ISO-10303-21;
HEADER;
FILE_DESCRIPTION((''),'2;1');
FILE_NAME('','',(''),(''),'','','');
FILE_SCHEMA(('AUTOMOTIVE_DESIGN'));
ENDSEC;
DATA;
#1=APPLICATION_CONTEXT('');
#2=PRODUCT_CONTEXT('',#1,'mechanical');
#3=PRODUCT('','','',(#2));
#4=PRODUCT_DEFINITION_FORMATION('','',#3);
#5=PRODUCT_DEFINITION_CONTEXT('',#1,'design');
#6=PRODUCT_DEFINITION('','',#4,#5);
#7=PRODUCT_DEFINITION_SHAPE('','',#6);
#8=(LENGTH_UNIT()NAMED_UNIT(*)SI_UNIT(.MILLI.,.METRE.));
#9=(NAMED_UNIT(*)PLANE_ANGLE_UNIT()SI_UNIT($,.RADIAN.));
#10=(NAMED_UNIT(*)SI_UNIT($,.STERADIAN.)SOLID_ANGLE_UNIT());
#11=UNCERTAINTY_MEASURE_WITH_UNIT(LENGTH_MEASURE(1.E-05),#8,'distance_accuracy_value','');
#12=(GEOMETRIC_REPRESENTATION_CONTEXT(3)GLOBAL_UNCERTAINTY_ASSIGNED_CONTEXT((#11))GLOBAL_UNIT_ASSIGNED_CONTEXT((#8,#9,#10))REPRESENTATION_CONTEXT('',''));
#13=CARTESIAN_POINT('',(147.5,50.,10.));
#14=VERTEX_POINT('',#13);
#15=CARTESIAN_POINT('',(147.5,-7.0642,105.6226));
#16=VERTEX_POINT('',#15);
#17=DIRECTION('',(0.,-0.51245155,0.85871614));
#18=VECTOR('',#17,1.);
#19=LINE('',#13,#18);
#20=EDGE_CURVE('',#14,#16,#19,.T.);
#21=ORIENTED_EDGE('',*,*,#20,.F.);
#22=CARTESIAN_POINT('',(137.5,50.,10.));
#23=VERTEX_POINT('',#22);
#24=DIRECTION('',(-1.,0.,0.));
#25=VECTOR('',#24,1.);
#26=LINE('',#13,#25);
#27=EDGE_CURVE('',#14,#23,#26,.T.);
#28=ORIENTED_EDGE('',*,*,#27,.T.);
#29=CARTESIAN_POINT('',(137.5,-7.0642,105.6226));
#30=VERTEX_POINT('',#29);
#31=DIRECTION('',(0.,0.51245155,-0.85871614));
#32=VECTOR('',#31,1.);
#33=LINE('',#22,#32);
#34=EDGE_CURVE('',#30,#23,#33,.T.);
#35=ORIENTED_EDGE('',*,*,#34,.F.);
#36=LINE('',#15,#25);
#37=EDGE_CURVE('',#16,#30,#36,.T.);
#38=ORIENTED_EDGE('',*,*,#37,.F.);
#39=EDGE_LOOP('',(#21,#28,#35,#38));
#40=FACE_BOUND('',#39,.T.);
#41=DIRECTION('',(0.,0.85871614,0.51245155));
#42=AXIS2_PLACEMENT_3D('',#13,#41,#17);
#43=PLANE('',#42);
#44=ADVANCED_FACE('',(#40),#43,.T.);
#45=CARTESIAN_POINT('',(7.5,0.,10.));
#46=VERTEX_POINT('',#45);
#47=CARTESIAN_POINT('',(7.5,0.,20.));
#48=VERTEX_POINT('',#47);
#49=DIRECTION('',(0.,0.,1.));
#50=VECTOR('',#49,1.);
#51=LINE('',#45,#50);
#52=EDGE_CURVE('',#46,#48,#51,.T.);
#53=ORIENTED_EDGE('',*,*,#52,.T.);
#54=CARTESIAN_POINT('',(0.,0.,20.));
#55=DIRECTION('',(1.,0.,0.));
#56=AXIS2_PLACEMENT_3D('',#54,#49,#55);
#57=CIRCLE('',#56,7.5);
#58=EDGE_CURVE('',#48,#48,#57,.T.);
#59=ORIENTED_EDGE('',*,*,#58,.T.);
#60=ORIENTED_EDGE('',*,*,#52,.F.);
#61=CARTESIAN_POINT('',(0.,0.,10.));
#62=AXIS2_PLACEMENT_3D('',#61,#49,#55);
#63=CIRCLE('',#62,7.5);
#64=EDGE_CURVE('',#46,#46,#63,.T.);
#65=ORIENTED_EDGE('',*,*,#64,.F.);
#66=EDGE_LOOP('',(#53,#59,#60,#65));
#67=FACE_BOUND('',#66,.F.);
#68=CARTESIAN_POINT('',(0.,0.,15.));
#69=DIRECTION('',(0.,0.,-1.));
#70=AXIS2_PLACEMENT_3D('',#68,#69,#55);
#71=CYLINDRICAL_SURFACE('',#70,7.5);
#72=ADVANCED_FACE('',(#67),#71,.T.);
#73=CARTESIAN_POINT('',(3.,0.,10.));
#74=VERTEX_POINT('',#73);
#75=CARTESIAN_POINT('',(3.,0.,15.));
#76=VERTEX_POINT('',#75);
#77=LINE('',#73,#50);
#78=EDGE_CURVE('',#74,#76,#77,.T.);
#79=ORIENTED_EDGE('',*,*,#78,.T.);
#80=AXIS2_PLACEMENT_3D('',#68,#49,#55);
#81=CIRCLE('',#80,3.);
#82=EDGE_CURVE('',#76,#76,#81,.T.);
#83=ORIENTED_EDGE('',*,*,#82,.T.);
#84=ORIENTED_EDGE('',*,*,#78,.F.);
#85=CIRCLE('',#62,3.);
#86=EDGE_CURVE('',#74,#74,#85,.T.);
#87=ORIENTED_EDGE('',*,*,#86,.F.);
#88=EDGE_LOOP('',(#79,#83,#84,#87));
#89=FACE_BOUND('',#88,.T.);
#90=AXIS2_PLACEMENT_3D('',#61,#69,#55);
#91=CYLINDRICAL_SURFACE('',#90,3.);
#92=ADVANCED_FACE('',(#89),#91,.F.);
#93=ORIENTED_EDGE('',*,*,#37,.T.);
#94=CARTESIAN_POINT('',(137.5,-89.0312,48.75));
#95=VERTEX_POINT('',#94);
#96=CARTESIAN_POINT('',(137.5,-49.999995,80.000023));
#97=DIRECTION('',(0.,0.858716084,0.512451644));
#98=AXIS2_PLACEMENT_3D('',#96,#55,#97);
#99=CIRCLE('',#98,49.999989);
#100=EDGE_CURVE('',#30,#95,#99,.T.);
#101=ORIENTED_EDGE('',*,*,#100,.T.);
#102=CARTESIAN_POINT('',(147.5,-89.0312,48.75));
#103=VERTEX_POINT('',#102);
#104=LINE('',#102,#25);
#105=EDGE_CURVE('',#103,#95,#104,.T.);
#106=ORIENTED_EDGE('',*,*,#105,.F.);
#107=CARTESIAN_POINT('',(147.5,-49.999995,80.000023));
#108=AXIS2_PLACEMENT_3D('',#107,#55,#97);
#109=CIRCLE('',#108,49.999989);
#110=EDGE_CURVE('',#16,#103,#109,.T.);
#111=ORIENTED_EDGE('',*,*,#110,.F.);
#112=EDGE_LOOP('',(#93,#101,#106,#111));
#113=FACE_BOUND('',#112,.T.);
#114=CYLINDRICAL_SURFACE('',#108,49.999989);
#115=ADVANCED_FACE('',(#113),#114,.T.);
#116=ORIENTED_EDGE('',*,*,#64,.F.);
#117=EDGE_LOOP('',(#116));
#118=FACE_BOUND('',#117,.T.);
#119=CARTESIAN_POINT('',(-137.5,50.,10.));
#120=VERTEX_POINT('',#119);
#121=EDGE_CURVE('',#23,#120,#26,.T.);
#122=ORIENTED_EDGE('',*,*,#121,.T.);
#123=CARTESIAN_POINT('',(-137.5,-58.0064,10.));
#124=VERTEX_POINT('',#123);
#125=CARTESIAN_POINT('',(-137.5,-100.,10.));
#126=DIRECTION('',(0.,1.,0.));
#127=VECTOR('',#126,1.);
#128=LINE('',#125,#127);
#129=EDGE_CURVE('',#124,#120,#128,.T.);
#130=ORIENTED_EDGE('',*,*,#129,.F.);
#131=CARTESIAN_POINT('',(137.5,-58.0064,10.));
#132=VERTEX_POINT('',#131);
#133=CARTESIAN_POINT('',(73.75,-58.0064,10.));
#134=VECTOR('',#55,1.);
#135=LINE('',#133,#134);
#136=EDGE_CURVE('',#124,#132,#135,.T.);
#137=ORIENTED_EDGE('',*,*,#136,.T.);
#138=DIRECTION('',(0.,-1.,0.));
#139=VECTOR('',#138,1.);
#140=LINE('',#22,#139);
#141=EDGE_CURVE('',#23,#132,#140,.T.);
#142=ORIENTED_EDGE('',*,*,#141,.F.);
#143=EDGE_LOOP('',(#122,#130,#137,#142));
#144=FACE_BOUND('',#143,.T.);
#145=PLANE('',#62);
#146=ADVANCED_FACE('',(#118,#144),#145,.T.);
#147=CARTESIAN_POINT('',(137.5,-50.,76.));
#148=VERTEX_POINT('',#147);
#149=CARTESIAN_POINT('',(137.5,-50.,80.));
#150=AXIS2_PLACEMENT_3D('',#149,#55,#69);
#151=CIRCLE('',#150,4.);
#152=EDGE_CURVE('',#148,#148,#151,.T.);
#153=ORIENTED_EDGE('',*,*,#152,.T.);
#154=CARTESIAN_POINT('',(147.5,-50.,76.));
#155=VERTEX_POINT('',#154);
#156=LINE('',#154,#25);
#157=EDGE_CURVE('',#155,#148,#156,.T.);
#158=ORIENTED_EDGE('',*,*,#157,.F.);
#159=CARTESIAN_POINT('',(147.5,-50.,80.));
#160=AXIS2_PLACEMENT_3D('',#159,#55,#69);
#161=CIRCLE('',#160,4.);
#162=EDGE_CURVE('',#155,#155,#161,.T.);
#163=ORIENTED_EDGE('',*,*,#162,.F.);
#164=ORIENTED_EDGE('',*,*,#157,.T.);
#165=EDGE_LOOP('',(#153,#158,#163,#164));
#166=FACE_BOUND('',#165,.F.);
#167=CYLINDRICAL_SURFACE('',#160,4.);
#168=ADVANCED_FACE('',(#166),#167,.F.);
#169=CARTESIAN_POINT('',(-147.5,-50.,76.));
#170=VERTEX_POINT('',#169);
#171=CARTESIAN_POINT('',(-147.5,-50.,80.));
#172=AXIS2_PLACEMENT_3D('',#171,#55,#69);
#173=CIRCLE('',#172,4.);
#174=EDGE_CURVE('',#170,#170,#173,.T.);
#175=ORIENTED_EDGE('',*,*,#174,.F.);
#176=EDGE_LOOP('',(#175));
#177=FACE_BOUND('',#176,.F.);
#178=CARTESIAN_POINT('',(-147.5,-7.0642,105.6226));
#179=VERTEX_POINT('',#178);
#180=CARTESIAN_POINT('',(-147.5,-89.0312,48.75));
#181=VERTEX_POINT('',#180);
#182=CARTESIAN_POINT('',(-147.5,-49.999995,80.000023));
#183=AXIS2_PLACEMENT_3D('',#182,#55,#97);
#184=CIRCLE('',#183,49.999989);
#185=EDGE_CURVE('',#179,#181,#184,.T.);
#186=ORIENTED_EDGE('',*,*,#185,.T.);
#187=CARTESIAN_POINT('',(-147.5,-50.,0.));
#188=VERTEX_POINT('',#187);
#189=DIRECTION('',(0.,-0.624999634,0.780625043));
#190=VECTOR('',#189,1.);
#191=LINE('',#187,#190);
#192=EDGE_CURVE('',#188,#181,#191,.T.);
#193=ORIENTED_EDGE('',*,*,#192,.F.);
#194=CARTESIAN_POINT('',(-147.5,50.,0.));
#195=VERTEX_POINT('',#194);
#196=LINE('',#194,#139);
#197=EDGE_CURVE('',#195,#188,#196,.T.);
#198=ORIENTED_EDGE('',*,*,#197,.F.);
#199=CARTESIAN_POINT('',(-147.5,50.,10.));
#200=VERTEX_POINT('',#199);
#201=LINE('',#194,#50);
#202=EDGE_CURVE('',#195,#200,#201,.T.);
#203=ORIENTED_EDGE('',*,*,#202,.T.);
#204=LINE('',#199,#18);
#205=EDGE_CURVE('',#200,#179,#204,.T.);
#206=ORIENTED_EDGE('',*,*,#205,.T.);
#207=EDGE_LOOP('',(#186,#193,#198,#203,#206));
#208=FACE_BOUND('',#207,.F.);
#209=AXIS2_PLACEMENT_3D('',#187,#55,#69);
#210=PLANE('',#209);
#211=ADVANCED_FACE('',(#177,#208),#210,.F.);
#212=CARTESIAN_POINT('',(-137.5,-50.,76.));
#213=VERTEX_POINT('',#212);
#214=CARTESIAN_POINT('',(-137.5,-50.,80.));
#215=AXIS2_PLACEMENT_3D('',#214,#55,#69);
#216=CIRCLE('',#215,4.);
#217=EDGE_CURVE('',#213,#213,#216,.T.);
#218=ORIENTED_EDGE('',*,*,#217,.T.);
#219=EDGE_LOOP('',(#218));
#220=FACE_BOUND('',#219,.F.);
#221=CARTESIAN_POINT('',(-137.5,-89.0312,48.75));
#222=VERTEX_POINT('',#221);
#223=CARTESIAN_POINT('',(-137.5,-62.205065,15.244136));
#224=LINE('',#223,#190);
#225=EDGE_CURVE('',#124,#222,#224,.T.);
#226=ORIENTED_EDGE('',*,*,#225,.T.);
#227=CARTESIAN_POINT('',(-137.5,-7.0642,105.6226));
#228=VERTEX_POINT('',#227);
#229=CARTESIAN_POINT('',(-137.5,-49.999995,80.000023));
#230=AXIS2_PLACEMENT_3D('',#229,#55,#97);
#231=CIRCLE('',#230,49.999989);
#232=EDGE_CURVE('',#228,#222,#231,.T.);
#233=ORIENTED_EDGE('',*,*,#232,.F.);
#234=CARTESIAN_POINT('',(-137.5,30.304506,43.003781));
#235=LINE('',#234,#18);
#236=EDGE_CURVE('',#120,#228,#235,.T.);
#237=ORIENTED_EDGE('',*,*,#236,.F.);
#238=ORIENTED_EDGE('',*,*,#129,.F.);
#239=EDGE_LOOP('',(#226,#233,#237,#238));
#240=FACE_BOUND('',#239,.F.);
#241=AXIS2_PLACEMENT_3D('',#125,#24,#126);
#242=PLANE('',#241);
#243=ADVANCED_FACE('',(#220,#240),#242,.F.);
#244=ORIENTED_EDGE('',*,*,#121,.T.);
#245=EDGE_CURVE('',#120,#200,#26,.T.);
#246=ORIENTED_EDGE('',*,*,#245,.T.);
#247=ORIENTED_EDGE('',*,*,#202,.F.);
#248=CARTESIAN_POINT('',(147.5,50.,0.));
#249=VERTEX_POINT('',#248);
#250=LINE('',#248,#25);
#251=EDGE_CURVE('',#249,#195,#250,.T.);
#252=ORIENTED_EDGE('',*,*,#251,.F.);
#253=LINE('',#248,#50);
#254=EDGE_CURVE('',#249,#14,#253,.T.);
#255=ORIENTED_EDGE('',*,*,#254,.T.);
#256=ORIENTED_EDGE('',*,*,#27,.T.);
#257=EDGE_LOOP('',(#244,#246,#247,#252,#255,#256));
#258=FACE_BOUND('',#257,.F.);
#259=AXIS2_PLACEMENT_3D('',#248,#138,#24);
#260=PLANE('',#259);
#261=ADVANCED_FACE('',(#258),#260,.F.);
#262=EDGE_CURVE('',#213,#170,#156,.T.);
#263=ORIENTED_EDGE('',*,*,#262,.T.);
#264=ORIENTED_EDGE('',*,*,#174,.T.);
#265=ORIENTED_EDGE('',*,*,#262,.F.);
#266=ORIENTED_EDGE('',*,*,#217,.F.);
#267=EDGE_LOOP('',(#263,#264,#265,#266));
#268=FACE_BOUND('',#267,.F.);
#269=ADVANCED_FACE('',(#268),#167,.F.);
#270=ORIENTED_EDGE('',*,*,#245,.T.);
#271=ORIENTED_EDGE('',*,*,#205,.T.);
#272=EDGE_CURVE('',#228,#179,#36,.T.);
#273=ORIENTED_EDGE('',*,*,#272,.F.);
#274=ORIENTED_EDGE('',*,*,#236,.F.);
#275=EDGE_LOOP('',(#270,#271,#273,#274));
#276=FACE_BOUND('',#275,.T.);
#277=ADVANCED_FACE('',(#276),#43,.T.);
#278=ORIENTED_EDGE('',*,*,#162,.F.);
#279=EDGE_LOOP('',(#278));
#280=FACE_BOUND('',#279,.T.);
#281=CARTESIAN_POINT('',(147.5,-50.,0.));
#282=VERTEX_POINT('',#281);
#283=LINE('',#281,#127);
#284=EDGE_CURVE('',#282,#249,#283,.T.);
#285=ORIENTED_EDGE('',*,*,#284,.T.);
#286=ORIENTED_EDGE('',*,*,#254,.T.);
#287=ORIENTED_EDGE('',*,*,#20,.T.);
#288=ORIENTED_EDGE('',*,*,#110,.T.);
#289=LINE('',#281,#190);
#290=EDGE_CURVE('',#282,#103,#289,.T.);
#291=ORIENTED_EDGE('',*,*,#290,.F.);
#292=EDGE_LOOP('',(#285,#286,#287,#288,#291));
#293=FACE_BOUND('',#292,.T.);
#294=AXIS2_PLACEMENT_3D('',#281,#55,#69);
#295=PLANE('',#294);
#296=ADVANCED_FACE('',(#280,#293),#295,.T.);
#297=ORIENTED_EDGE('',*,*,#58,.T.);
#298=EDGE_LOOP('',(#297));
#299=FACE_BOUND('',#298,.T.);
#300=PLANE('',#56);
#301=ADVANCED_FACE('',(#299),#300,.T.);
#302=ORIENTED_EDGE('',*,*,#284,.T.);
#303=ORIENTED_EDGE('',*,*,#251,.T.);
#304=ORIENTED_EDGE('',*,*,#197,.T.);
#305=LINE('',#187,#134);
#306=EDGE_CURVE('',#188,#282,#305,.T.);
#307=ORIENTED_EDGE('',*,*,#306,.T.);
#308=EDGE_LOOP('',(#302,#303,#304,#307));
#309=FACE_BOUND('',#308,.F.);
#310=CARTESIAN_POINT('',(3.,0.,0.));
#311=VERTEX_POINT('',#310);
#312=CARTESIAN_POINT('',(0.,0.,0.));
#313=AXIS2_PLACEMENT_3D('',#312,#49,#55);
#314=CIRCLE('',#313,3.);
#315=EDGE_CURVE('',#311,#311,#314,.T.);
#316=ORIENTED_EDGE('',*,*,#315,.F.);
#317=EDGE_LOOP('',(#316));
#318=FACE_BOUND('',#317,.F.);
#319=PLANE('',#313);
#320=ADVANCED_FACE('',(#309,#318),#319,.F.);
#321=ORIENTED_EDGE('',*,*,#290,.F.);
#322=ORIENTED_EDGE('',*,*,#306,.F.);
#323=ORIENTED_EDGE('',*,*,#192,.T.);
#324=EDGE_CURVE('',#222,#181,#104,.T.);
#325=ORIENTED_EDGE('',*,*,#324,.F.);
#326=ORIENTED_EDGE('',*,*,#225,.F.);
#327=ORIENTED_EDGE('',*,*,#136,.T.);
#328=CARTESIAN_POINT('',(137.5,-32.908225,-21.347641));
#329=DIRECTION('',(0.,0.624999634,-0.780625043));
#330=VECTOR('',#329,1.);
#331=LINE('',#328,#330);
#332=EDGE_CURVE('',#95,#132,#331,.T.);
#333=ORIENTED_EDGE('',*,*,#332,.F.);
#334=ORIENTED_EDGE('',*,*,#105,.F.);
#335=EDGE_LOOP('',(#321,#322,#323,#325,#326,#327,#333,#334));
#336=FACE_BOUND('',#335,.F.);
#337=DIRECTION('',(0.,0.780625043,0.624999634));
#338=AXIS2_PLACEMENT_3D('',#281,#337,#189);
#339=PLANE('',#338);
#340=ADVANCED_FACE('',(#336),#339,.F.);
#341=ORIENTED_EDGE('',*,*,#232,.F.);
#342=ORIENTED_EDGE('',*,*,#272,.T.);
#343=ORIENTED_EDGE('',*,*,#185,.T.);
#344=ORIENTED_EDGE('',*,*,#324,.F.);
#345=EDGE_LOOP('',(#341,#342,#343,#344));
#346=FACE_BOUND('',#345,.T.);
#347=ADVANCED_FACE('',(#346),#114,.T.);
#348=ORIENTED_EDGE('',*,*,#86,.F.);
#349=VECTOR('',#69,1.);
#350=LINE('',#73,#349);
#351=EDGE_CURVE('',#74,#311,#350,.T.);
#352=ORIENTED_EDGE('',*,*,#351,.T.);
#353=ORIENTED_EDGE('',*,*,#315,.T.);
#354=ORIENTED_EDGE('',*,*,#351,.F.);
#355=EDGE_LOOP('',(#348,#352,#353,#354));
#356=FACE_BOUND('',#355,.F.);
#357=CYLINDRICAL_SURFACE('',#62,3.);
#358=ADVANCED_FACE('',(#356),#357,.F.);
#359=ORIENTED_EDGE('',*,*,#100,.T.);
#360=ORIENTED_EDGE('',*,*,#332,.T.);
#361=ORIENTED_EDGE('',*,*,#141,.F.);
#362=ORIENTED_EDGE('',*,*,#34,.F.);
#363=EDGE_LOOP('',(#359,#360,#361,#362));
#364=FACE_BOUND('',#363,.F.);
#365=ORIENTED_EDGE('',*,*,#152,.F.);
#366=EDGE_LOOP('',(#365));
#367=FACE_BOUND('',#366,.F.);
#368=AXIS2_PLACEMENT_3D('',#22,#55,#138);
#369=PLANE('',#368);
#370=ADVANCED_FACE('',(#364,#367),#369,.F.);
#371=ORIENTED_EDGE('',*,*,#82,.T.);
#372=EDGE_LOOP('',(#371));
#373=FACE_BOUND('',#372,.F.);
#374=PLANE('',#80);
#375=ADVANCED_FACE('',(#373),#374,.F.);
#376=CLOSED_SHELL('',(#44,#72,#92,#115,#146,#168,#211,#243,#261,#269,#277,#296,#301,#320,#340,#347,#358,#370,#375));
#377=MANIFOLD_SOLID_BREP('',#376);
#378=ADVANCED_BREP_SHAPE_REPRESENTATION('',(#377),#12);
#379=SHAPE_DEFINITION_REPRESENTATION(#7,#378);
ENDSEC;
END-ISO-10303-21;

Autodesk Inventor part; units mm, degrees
ref_plane "YZ Plane" through (0, 0, 0) normal (1, 0, 0) x (0, 1, 0)
ref_plane "XZ Plane" through (0, 0, 0) normal (0, 1, 0) x (-1, 0, 0)
sketch "Sketch1" plane through (0, 0, 0) normal (0, 0, 1) x (1, 0, 0)
  line L0 (-147.5, -50) -> (147.5, -50)
  line L1 (147.5, -50) -> (147.5, 50)
  line L2 (147.5, 50) -> (-147.5, 50)
  line L3 (-147.5, 50) -> (-147.5, -50)
  line L4 (-147.5, -50) -> (147.5, 50) construction
  line L5 (147.5, -50) -> (-147.5, 50) construction
  point P0 (0, 0)
  dimension "d0" = 295
  dimension "d1" = 100
extrude "Extrusion1" add sketch "Sketch1" along normal blind 10
sketch "Sketch2" plane through (0, 0, 10) normal (0, 0, 1) x (1, 0, 0)
  circle A0 centre (0, 0) radius 3
  dimension "d13" = 6
extrude "Extrusion2" cut sketch "Sketch2" against normal through all
sketch "Sketch4" plane through (147.5, -50, 0) normal (1, 0, 0) x (0, 0, -1)
  circle A0 centre (-80, 0) radius 50 construction
  line L0 (0, 0) -> (-10, 0)
  line L1 (0, 0) -> (-48.75, -39.0312)
  line L2 (-10, 0) -> (-10, 100)
  line L3 (-10, 100) -> (-105.6226, 42.9358)
  arc A1 (-105.6226, 42.9358) -> (-48.75, -39.0312) centre (-80, 0) ccw
  line L4 (0, 0) -> (-10, 0)
  line L5 (-10, 100) -> (-10, 0)
  dimension "d8" = 100
  dimension "d20" = 80
extrude "Extrusion3" add sketch "Sketch4" against normal blind 295
ref_plane "Work Plane1" through (0, 0, 10) normal (0, 0, 1) x (1, 0, 0)
sketch "Sketch5" plane through (0, 0, 10) normal (0, 0, 1) x (1, 0, 0)
  line L0 (147.5, 50) -> (-147.5, 50) projected
  line L1 (147.5, -100) -> (-147.5, -100) projected
  line L2 (-137.5, 50) -> (137.5, 50)
  line L3 (137.5, 50) -> (137.5, -100)
  line L4 (137.5, -100) -> (-137.5, -100)
  line L5 (-137.5, -100) -> (-137.5, 50)
  line L6 (-147.5, 50) -> (-147.5, -50) projected
  line L7 (147.5, -50) -> (147.5, 50) projected
  point P0 (0, 0)
  dimension "d16" = 10
  dimension "d17" = 10
extrude "Extrusion4" cut sketch "Sketch5" along normal through all
sketch "Sketch7" plane through (0, 0, 10) normal (0, 0, 1) x (1, 0, 0)
  circle A0 centre (0, 0) radius 3 projected
  circle A1 centre (0, 0) radius 7.5
  dimension "d23" = 15
extrude "Extrusion6" add sketch "Sketch7" along normal blind 5
sketch "Sketch8" plane through (0, 0, 15) normal (0, 0, 1) x (1, 0, 0)
  circle A0 centre (0, 0) radius 7.5 projected
extrude "Extrusion7" add sketch "Sketch8" along normal blind 5
sketch "Sketch9" plane through (147.5, -50, 0) normal (1, 0, 0) x (0, 0, -1)
  arc A0 (-105.6226, 42.9358) -> (-48.75, -39.0312) centre (-80, 0) ccw projected
  circle A1 centre (-80, 0) radius 4
  point P0 (0, 50)
  dimension "d28" = 8
extrude "Extrusion8" cut sketch "Sketch9" against normal through all
properties part number "HA004"
